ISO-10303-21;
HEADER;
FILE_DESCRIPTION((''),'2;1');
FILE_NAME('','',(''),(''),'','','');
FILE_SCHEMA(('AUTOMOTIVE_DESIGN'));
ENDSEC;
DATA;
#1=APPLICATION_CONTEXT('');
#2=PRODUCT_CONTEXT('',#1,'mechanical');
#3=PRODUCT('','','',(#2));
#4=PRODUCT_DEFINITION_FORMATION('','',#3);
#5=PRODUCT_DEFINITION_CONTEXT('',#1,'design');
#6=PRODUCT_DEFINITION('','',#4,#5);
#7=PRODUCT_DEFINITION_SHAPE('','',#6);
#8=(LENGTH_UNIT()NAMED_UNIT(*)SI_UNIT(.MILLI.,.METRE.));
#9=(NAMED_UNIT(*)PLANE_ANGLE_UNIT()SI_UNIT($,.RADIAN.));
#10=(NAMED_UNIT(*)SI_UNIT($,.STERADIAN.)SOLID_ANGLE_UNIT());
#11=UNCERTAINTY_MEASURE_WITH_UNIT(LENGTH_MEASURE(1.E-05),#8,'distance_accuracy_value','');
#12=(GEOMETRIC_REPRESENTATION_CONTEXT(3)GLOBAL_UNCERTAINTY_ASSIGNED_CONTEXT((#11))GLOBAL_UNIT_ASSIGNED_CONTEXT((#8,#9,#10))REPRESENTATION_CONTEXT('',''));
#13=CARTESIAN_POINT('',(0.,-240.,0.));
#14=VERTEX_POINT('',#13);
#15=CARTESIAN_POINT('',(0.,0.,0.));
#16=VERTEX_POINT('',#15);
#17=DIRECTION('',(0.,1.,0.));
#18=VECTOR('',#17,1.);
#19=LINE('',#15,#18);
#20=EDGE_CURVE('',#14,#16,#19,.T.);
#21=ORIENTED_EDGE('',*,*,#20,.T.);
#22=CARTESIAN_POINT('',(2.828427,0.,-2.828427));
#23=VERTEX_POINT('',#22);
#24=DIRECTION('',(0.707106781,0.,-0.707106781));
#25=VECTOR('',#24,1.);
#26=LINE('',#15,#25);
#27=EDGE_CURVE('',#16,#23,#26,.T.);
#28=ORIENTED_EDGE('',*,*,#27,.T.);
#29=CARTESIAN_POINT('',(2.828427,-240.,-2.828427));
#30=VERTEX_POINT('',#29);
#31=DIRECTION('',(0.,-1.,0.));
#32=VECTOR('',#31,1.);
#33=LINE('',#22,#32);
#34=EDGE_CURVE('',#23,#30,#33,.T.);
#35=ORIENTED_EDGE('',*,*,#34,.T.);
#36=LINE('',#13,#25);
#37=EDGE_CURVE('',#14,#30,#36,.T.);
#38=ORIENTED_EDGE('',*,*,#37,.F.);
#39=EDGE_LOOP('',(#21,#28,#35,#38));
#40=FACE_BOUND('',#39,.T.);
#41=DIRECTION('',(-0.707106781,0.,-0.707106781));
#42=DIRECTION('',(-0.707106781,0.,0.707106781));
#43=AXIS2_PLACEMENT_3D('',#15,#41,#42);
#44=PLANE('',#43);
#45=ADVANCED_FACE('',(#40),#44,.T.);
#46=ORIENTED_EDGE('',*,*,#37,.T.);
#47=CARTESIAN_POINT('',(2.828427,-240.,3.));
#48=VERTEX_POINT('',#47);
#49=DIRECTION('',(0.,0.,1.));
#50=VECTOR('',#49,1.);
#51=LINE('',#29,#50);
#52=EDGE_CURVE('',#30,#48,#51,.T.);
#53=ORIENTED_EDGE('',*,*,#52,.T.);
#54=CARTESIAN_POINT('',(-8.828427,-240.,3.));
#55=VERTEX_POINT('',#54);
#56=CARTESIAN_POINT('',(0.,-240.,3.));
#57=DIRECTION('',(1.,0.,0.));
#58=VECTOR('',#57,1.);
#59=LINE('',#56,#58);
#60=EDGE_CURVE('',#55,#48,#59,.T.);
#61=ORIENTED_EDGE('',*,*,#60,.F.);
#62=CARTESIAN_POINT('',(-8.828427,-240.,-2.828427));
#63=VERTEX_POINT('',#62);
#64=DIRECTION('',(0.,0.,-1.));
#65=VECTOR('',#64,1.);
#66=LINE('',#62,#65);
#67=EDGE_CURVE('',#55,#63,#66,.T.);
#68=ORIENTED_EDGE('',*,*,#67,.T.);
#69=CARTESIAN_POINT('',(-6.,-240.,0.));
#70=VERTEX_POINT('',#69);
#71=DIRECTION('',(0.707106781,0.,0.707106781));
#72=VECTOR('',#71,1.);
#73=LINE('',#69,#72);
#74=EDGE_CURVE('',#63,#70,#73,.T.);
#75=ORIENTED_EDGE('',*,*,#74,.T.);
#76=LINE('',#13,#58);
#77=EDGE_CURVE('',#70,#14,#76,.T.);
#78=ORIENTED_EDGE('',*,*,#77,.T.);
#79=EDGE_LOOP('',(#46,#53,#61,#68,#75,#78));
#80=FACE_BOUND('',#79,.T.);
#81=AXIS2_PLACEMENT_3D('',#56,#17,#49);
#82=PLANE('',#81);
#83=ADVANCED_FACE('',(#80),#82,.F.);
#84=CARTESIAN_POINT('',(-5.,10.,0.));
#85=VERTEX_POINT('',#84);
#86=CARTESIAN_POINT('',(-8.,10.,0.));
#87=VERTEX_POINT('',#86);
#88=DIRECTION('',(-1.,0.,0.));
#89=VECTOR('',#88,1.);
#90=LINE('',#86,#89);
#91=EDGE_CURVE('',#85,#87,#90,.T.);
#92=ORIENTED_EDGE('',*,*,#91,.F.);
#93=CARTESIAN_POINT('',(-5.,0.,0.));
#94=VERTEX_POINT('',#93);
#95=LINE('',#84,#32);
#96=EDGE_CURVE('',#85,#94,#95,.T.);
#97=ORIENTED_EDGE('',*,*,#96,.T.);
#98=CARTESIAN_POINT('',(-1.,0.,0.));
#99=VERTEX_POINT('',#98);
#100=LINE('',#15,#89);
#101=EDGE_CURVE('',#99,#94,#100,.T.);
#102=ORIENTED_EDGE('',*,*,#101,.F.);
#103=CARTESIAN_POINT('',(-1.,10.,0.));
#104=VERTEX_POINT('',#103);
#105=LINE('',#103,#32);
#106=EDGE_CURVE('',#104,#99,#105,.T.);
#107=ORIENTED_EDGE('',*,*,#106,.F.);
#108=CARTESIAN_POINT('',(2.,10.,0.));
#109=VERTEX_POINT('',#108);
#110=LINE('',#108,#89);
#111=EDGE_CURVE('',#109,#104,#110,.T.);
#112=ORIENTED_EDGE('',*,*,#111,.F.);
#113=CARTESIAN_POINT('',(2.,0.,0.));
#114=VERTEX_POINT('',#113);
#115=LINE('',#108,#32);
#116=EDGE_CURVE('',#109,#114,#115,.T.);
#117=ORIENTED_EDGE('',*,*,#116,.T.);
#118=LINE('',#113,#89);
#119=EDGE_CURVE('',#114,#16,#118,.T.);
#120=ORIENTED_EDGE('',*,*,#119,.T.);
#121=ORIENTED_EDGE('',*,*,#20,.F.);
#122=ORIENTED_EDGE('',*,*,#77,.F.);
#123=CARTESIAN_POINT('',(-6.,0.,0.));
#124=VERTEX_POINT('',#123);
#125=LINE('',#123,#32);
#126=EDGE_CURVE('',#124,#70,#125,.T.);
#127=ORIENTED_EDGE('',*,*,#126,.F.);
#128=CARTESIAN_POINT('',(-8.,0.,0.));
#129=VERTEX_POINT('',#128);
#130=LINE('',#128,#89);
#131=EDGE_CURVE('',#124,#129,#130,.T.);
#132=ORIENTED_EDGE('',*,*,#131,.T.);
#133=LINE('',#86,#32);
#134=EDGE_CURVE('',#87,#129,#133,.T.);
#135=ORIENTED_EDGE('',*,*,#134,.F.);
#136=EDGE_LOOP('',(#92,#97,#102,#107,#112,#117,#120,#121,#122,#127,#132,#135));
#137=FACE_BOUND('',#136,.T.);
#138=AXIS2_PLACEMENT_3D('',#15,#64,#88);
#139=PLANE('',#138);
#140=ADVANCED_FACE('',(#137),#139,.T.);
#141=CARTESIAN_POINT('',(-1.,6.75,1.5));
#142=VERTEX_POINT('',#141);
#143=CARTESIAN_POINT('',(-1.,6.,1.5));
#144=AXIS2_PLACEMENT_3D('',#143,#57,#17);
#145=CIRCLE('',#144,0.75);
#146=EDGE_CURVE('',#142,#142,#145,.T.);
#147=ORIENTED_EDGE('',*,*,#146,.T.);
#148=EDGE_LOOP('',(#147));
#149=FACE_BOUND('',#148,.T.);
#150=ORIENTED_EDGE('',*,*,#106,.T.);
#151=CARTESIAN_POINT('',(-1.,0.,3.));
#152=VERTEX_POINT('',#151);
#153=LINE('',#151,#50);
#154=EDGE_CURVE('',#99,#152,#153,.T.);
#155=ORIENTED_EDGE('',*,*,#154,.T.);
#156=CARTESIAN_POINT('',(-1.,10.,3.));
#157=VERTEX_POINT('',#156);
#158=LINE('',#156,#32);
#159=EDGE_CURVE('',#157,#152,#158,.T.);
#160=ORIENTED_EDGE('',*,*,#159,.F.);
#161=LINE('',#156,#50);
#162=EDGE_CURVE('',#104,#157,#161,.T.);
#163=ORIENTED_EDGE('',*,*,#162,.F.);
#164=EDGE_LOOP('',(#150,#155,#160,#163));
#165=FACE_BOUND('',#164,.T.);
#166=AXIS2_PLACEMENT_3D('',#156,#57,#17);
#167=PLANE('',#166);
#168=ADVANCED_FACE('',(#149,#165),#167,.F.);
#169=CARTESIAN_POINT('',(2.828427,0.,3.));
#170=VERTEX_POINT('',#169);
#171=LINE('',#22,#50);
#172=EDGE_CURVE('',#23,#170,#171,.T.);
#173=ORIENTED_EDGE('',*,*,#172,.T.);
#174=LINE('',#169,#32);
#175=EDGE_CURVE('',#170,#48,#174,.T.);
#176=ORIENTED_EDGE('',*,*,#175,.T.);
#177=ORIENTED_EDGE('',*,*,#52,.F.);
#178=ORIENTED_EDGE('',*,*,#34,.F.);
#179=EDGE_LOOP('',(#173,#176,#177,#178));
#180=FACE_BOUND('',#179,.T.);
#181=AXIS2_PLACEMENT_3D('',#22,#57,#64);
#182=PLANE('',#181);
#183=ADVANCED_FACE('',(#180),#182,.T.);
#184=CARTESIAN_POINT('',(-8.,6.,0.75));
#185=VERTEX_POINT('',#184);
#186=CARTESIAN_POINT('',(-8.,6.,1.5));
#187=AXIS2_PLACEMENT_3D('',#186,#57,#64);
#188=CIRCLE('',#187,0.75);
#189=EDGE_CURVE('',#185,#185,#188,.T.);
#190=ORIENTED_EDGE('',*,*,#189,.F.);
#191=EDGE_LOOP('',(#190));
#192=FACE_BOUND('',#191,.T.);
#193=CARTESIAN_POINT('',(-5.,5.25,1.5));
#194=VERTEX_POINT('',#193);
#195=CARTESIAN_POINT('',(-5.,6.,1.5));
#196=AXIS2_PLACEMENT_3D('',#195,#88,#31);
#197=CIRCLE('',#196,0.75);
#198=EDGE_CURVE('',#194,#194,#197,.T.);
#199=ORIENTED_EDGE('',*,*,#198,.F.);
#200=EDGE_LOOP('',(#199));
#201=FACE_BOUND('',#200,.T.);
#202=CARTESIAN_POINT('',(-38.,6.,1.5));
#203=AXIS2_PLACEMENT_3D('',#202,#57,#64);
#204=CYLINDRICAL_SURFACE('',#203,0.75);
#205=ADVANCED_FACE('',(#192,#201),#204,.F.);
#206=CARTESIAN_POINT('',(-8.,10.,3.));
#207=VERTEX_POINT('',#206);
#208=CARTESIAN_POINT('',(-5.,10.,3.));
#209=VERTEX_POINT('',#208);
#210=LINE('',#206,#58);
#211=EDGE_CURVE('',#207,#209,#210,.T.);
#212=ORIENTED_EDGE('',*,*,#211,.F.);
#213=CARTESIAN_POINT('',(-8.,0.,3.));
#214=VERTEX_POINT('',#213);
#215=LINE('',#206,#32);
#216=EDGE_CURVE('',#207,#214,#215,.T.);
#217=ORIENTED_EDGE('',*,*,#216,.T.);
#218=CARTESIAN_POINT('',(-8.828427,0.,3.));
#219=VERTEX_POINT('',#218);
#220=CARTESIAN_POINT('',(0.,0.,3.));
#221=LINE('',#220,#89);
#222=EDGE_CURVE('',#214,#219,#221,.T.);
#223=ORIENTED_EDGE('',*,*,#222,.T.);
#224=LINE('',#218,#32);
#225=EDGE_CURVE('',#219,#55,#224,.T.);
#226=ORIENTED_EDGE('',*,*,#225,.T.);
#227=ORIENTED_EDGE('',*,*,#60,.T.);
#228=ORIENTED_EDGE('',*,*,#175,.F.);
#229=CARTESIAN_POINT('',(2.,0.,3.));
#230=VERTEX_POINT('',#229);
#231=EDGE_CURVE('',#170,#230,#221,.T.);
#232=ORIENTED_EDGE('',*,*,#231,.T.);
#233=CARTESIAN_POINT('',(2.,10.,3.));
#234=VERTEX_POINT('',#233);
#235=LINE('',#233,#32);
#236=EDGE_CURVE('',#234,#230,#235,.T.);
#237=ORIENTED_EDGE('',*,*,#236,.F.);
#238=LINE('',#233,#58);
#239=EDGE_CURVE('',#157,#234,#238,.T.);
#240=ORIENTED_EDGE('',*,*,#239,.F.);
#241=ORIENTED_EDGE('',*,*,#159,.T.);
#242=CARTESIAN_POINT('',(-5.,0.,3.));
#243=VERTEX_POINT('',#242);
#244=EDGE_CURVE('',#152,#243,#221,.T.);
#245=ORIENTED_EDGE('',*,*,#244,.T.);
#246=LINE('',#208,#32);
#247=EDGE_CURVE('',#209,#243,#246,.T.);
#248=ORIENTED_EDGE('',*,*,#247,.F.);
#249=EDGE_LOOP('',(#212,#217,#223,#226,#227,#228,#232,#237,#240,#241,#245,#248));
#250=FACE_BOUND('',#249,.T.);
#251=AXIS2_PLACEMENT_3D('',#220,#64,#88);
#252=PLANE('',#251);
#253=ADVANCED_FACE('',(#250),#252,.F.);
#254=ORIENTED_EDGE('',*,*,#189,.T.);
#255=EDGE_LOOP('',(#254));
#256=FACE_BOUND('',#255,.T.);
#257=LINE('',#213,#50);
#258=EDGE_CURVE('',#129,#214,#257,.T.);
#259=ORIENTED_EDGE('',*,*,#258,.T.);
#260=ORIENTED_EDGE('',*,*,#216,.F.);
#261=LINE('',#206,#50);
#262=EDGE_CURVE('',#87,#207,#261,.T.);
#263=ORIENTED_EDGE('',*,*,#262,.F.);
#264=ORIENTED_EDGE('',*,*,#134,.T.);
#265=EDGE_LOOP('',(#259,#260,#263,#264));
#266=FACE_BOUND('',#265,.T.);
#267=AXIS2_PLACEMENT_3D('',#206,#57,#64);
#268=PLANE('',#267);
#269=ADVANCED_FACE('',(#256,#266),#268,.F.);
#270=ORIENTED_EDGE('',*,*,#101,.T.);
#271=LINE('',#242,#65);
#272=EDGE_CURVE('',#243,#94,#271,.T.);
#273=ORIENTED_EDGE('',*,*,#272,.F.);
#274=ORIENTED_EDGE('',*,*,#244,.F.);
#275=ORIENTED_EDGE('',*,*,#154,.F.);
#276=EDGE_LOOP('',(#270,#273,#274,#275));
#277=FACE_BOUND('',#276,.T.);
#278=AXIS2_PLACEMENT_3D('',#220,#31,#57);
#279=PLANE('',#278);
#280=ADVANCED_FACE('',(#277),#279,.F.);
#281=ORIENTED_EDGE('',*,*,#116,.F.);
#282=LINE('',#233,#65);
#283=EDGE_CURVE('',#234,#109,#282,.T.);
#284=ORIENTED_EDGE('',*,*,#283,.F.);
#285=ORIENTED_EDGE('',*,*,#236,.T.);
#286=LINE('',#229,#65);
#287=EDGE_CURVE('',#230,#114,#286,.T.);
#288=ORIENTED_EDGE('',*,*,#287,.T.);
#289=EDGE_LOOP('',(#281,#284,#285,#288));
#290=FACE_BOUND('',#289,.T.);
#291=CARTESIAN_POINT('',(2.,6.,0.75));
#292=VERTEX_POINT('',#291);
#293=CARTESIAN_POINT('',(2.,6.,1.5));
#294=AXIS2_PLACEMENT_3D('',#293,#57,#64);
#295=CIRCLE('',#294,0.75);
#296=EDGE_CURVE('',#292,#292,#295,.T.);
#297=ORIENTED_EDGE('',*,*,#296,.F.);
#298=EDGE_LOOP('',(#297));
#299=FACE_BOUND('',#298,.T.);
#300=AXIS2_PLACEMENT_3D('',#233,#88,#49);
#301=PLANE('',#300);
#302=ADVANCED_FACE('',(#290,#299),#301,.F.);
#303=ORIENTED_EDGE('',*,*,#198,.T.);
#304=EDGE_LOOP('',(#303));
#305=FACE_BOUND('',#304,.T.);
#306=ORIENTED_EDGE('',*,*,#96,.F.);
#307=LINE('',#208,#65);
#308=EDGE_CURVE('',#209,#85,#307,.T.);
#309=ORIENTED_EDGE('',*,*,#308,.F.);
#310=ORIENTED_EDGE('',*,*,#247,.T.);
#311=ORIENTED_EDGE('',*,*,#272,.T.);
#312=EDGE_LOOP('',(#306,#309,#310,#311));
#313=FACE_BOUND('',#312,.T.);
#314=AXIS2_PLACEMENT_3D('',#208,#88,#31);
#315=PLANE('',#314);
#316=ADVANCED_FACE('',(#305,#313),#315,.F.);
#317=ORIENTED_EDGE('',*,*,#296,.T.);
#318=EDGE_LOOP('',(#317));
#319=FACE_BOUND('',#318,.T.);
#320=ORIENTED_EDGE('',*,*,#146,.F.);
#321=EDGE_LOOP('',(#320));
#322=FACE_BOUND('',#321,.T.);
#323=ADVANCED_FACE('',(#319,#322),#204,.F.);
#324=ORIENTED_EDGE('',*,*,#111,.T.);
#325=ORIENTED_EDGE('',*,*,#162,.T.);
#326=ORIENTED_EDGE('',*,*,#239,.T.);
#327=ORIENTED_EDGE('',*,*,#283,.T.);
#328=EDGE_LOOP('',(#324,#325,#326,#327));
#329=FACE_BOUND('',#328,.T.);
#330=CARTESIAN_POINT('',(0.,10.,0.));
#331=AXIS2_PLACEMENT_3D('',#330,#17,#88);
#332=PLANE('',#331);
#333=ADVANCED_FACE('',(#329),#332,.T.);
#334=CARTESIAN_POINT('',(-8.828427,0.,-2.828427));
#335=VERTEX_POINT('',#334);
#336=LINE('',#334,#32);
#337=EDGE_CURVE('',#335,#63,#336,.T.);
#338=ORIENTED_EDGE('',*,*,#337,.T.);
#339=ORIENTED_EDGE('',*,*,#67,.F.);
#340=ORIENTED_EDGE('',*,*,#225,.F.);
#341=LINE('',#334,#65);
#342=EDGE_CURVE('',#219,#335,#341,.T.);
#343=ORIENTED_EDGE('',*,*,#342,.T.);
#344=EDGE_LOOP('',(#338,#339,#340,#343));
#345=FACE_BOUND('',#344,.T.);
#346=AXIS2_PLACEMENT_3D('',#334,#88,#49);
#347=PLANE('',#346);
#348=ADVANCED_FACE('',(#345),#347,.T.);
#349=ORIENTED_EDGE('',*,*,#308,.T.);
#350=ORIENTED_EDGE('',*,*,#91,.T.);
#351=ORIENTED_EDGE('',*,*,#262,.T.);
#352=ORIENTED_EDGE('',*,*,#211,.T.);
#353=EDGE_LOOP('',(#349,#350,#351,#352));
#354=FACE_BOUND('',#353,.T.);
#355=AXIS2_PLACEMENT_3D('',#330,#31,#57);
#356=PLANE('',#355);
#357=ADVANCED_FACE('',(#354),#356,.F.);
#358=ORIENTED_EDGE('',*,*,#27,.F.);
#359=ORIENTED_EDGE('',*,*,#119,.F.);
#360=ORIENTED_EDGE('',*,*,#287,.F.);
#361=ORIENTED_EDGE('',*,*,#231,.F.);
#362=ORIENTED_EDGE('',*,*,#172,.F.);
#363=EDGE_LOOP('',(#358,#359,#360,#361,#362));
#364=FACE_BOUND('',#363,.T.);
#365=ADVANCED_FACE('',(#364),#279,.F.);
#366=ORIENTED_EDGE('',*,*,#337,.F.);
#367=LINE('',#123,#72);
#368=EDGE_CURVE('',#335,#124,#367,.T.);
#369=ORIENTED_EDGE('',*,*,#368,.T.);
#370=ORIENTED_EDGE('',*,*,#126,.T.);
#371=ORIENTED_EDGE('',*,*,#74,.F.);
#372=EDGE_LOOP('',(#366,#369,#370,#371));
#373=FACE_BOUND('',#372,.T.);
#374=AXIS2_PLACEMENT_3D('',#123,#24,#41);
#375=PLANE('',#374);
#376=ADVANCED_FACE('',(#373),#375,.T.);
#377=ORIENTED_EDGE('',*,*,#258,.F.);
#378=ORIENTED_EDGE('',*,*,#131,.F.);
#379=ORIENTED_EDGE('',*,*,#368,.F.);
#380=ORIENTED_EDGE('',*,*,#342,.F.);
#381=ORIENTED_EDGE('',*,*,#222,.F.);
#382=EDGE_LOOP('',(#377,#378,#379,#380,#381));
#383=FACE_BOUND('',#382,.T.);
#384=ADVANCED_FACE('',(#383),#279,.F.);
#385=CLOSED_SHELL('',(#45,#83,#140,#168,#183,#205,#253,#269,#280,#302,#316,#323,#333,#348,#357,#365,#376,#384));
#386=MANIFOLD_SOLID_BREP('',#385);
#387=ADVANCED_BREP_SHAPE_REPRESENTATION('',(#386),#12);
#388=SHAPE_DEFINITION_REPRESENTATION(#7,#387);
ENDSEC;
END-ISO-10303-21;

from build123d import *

# Parameters (mm, degrees)
SKETCH2_W           = 6
SKETCH2_H           = 240
BOSS_EXTRUDE1_DEPTH = 3
BOSS_EXTRUDE2_DEPTH = 240
SKETCH5_W           = 3
SKETCH5_H           = 3
BOSS_EXTRUDE3_DEPTH = 10
SKETCH6_R           = 0.75
CUT_EXTRUDE1_DEPTH  = 40


with BuildPart() as part:
    # Sketch2 → Boss-Extrude1 (new body)
    with BuildSketch(Plane.XY):
        with Locations((-3, -120)):
            Rectangle(SKETCH2_W, SKETCH2_H)
    extrude(amount=BOSS_EXTRUDE1_DEPTH)

    # Sketch4 → Boss-Extrude2 (add)
    with BuildSketch(Plane(origin=(0, -240, 0), x_dir=(-1, 0, 0), z_dir=(0, -1, 0))):
        Polygon((0, 0), (-2.828427125, 2.828427125), (-2.828427125, -3), (0, -3), align=None)
        Polygon((8.828427125, -3), (6, -3), (6, 0), (8.828427125, 2.828427125), align=None)
    extrude(amount=-BOSS_EXTRUDE2_DEPTH)

    # Sketch5 → Boss-Extrude3 (add)
    with BuildSketch(Plane(origin=(0, 0, 0), x_dir=(1, 0, 0), z_dir=(0, 1, 0))):
        with Locations((-6.5, -1.5)):
            Rectangle(SKETCH5_W, SKETCH5_H)
        with Locations((0.5, -1.5)):
            Rectangle(SKETCH5_W, SKETCH5_H)
    extrude(amount=BOSS_EXTRUDE3_DEPTH)

    # Sketch6 → Cut-Extrude1 (cut)
    with BuildSketch(Plane(origin=(2, 0, 0), x_dir=(0, 0, -1), z_dir=(1, 0, 0))):
        with Locations((-1.5, 6)):
            Circle(SKETCH6_R)
    extrude(amount=-CUT_EXTRUDE1_DEPTH, mode=Mode.SUBTRACT)


solid = part.part
